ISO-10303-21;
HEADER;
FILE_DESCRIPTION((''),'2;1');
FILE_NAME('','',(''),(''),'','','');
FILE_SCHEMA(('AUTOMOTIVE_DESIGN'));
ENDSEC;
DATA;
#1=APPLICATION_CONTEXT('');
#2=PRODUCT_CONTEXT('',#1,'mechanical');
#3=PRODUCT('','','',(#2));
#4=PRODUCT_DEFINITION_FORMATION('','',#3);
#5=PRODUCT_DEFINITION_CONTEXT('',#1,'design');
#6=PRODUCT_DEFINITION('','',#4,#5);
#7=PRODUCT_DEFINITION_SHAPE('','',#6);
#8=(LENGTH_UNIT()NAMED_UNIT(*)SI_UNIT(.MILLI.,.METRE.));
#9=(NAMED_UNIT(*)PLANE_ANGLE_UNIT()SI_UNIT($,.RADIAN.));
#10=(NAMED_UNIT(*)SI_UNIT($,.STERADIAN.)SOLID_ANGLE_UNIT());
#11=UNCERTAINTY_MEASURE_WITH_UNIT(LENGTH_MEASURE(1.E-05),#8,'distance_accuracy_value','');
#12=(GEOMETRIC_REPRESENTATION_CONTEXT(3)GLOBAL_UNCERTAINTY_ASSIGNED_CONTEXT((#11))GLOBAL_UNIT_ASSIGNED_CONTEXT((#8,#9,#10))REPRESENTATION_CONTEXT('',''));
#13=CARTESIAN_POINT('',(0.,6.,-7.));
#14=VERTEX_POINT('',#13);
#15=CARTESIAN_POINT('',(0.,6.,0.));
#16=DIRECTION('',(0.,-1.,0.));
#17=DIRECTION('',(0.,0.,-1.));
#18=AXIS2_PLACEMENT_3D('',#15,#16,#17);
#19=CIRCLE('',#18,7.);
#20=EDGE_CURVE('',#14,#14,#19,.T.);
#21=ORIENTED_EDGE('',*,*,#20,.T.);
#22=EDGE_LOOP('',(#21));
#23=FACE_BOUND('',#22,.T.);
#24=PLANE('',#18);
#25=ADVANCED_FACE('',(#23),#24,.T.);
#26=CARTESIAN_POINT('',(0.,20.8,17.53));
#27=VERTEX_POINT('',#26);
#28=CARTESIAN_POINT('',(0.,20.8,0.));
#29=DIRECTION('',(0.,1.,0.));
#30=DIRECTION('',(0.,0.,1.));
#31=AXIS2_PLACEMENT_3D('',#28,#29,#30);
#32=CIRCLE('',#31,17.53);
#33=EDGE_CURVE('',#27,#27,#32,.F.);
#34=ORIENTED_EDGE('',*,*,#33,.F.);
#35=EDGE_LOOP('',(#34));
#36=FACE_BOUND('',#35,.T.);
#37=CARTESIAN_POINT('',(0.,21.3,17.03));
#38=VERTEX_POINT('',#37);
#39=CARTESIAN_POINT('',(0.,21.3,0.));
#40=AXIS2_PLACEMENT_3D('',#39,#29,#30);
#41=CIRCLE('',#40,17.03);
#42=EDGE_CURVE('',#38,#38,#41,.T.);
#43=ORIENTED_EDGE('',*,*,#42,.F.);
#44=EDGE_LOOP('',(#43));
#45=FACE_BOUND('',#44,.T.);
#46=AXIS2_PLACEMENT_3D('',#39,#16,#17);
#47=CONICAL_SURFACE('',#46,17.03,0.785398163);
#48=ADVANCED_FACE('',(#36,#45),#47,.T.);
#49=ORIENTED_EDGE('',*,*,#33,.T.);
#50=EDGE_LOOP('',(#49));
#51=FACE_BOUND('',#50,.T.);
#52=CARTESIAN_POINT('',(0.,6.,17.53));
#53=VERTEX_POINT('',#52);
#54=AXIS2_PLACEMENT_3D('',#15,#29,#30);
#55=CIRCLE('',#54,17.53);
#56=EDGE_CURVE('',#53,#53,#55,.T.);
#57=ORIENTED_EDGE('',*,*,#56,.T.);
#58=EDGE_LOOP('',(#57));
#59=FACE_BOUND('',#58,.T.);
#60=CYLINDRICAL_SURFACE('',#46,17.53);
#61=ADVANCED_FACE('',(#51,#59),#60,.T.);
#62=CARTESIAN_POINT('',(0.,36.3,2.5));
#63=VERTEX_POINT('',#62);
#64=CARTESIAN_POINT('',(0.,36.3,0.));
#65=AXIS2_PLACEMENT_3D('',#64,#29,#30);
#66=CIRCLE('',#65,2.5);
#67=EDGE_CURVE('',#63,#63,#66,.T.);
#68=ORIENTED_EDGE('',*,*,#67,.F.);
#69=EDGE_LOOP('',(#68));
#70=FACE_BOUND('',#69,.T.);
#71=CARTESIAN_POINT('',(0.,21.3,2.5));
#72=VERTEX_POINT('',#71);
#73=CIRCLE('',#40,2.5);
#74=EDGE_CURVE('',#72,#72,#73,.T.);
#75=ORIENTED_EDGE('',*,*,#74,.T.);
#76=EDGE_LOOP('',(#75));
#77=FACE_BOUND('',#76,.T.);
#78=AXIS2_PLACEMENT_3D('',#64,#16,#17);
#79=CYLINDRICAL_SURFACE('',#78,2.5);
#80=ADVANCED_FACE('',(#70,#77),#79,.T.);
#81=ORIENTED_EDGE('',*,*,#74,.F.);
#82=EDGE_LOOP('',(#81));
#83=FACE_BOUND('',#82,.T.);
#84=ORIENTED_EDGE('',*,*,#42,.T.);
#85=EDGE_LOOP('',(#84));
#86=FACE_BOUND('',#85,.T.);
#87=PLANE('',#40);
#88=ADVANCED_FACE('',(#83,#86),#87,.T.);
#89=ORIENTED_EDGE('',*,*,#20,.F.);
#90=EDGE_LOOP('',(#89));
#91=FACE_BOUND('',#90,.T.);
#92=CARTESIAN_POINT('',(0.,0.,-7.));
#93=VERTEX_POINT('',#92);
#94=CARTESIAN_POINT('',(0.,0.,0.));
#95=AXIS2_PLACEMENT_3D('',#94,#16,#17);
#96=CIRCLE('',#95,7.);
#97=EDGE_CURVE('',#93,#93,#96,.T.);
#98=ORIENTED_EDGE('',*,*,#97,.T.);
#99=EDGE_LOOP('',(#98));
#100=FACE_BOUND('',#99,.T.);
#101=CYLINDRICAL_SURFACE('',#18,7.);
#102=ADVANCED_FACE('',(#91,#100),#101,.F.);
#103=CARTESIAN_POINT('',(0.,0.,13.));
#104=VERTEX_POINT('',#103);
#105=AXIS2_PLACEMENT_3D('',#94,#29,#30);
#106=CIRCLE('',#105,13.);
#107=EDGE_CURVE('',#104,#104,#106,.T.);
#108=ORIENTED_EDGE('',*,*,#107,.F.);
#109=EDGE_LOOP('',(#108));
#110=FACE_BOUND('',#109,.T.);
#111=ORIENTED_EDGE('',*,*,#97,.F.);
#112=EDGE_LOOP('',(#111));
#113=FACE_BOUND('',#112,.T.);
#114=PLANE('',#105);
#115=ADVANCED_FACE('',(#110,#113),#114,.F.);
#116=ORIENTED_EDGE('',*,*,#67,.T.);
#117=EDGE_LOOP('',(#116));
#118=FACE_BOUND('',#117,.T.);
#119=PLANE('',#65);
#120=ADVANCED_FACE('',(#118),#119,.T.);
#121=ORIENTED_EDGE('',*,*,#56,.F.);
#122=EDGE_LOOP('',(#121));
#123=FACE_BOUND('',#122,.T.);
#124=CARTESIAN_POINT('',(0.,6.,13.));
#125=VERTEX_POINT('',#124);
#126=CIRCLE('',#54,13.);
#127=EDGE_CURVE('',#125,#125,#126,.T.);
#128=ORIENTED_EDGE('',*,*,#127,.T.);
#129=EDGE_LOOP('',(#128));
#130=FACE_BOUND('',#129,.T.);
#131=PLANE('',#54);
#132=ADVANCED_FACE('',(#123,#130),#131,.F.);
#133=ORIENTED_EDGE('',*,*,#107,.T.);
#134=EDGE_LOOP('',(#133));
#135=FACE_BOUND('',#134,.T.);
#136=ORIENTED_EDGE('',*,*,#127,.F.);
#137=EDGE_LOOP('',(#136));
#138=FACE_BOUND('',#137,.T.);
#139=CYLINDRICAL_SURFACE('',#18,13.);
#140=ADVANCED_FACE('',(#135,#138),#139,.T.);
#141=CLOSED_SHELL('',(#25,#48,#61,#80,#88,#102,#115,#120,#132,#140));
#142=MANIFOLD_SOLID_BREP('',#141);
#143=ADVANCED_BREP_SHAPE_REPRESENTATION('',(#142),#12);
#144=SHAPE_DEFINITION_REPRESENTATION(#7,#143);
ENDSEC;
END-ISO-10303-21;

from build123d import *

# Parameters (mm, degrees)
SKETCH1_R           = 13
BOSS_EXTRUDE1_DEPTH = 6
SKETCH2_R           = 17.53
BOSS_EXTRUDE2_DEPTH = 15.3
SKETCH3_R           = 2.5
BOSS_EXTRUDE3_DEPTH = 15
CHAMFER1_SIZE       = 0.5
SKETCH4_R           = 7
CUT_EXTRUDE1_DEPTH  = 6


with BuildPart() as part:
    # Sketch1 → Boss-Extrude1 (new body)
    with BuildSketch(Plane(origin=(0, 0, 0), x_dir=(1, 0, 0), z_dir=(0, 1, 0))):
        Circle(SKETCH1_R)
    extrude(amount=BOSS_EXTRUDE1_DEPTH)

    # Sketch2 → Boss-Extrude2 (add)
    with BuildSketch(Plane(origin=(0, 6, 0), x_dir=(1, 0, 0), z_dir=(0, 1, 0))):
        Circle(SKETCH2_R)
    extrude(amount=BOSS_EXTRUDE2_DEPTH)

    # Sketch3 → Boss-Extrude3 (add)
    with BuildSketch(Plane(origin=(0, 21.3, 0), x_dir=(1, 0, 0), z_dir=(0, 1, 0))):
        Circle(SKETCH3_R)
    extrude(amount=BOSS_EXTRUDE3_DEPTH)

    # Chamfer1
    chamfer1_edges = [part.edges().sort_by_distance(p)[0] for p in [
        (-17.53, 21.3, 0),
    ]]
    chamfer(chamfer1_edges, length=CHAMFER1_SIZE)

    # Sketch4 → Cut-Extrude1 (cut)
    with BuildSketch(Plane.XZ):
        Circle(SKETCH4_R)
    extrude(amount=-CUT_EXTRUDE1_DEPTH, mode=Mode.SUBTRACT)


solid = part.part
